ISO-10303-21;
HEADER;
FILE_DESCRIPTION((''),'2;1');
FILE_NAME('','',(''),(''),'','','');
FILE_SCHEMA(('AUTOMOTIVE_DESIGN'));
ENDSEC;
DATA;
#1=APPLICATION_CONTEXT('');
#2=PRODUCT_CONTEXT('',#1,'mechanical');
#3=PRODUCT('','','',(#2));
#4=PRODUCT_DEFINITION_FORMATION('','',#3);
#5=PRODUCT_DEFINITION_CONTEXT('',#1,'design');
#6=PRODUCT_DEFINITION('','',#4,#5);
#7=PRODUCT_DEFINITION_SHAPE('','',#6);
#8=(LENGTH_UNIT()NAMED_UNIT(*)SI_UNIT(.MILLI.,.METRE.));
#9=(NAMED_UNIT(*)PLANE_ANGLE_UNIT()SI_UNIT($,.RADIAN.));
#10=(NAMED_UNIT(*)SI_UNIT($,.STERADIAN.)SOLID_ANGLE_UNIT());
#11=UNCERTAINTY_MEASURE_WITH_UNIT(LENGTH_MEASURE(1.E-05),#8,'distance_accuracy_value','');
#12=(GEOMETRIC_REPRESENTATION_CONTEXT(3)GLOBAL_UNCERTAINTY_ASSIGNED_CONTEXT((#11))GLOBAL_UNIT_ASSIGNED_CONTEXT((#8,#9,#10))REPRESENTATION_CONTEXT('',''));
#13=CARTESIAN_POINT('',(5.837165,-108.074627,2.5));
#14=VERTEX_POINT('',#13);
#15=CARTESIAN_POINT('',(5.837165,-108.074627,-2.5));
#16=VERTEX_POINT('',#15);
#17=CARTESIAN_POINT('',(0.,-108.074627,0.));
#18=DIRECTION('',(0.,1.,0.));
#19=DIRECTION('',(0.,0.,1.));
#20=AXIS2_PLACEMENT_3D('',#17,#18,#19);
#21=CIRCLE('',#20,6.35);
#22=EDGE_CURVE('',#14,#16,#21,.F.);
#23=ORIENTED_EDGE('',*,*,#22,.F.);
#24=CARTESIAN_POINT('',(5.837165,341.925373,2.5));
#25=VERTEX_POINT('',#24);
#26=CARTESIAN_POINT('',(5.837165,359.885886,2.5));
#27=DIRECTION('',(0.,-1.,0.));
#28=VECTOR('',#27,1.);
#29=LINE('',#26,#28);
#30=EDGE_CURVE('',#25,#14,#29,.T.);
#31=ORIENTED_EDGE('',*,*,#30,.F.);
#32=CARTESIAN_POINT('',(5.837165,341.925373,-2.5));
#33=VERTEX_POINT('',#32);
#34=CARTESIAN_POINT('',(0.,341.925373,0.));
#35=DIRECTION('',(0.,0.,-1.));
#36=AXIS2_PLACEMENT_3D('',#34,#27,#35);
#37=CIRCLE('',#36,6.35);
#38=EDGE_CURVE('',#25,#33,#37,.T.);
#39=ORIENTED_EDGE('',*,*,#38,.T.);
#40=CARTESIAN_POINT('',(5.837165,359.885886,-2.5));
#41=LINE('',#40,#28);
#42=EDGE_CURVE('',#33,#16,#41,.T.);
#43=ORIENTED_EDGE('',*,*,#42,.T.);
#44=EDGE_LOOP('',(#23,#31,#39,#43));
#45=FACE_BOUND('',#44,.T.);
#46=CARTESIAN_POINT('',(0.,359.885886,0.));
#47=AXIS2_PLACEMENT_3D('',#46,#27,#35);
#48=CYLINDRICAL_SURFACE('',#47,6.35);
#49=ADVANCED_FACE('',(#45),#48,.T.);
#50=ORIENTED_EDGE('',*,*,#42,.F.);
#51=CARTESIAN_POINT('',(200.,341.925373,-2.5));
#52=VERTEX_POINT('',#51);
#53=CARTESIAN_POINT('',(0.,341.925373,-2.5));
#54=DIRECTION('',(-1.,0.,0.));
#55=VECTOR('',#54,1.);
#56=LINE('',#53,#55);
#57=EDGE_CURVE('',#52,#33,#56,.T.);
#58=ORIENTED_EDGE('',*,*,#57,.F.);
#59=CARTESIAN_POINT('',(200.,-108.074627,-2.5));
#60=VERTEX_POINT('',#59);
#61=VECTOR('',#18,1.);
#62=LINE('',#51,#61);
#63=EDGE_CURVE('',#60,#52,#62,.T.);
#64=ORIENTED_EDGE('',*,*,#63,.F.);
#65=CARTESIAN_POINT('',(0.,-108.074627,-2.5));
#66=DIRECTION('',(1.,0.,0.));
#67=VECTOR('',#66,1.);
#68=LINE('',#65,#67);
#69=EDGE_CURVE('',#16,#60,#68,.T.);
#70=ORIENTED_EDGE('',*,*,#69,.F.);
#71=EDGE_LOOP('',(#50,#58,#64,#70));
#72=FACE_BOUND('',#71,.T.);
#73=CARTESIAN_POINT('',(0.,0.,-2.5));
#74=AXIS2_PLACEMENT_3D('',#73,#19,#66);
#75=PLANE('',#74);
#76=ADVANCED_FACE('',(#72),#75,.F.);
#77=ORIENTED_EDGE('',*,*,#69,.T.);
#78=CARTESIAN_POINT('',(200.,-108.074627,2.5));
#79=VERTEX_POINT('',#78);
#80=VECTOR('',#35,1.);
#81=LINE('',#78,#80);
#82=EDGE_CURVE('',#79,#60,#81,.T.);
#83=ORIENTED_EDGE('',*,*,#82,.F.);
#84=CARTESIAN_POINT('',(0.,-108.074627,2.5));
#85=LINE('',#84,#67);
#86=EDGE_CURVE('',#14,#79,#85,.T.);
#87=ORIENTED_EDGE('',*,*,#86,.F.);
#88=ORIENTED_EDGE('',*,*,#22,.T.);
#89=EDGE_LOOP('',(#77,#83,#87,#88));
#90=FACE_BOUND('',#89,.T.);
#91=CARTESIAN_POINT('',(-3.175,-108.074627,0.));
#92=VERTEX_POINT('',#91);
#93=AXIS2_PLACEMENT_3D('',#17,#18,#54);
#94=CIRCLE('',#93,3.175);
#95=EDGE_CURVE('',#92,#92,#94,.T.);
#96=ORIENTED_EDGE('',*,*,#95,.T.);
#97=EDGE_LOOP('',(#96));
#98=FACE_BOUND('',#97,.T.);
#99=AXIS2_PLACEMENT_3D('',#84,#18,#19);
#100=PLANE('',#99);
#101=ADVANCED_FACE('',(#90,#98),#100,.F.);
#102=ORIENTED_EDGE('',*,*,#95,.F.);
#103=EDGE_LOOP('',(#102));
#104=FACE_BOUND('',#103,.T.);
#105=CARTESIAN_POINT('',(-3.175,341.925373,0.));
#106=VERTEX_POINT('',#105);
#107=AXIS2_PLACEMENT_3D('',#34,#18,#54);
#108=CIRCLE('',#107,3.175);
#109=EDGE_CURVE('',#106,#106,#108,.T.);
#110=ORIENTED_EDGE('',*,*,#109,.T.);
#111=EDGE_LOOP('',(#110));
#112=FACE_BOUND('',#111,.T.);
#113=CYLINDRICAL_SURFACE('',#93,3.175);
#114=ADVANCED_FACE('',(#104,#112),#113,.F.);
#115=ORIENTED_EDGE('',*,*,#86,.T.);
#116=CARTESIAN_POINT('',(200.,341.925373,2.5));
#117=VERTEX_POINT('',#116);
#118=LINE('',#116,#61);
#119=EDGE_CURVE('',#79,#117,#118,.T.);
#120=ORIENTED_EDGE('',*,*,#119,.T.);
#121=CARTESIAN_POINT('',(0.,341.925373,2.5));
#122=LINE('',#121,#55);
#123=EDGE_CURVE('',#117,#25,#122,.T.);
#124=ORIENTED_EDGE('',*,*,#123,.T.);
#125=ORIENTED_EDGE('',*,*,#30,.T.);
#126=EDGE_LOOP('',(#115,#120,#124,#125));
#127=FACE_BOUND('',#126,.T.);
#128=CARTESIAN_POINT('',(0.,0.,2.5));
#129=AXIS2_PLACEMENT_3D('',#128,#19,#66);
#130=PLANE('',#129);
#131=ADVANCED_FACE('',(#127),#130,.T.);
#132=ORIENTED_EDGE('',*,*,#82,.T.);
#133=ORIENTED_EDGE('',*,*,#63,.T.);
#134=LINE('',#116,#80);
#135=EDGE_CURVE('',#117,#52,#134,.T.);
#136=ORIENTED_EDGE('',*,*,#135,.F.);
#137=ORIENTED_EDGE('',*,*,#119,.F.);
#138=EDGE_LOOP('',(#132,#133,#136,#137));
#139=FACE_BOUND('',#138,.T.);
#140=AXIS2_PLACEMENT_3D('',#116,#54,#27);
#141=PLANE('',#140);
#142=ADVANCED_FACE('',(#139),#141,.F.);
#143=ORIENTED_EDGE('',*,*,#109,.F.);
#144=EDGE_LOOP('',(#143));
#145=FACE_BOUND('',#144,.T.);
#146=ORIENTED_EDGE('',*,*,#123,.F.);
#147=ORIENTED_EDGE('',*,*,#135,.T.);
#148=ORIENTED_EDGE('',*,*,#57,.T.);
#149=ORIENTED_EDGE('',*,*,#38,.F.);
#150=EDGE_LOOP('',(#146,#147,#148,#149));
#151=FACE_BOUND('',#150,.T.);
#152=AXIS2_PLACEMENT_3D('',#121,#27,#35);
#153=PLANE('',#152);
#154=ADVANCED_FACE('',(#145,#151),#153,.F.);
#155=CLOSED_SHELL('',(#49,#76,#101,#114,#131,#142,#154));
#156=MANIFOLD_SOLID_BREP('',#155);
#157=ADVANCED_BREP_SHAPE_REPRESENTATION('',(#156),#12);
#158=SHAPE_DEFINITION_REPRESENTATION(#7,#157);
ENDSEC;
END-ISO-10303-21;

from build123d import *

# Parameters (mm, degrees)
SKETCH1_W                       = 200
SKETCH1_H                       = 450
BOSS_EXTRUDE1_DEPTH             = 2.5
BOSS_EXTRUDE2_REACH             = 398.13
SKETCH2_R                       = 6.35
BOSS_EXTRUDE2_DIRECTION_2_REACH = 398.13
SKETCH3_R                       = 3.175
CUT_EXTRUDE1_DEPTH              = 493.483829684


with BuildPart() as part:
    # Sketch1 → Boss-Extrude1 (new, symmetric)
    with BuildSketch(Plane.XY):
        with Locations((100, 116.925373314)):
            Rectangle(SKETCH1_W, SKETCH1_H)
    extrude(amount=BOSS_EXTRUDE1_DEPTH, both=True)

    # Boss-Extrude2: up to this face of the body (flat: up to its plane)
    boss_extrude2_end = Plane(part.part.faces().sort_by_distance((100, 341.925373314, 0))[0])
    # Sketch2 → Boss-Extrude2 (add, up to the picked face)
    with BuildSketch(Plane(origin=(0, 0, 0), x_dir=(1, 0, 0), z_dir=(0, 1, 0)), mode=Mode.PRIVATE) as boss_extrude2_sk1:
        Circle(SKETCH2_R)
    boss_extrude2_tool1 = split(extrude(boss_extrude2_sk1.sketch, amount=BOSS_EXTRUDE2_REACH, mode=Mode.PRIVATE), bisect_by=boss_extrude2_end, keep=Keep.BOTH, mode=Mode.PRIVATE)
    add(boss_extrude2_tool1.solids().sort_by(Axis((0, 0, 0), (0, 1, 0)))[0])

    # Boss-Extrude2 direction 2: up to this face of the body (flat: up to its plane)
    boss_extrude2_direction_2_end = Plane(part.part.faces().sort_by_distance((100, -108.074626686, 0))[0])
    # Sketch2 → Boss-Extrude2 direction 2 (add, up to the picked face)
    with BuildSketch(Plane(origin=(0, 0, 0), x_dir=(1, 0, 0), z_dir=(0, 1, 0)), mode=Mode.PRIVATE) as boss_extrude2_direction_2_sk1:
        Circle(SKETCH2_R)
    boss_extrude2_direction_2_tool1 = split(extrude(boss_extrude2_direction_2_sk1.sketch, amount=-BOSS_EXTRUDE2_DIRECTION_2_REACH, mode=Mode.PRIVATE), bisect_by=boss_extrude2_direction_2_end, keep=Keep.BOTH, mode=Mode.PRIVATE)
    add(boss_extrude2_direction_2_tool1.solids().sort_by(Axis((0, 0, 0), (0, -1, 0)))[0])

    # Sketch3 → Cut-Extrude1 (cut, through all)
    with BuildSketch(Plane(origin=(0, 341.925373314, 0), x_dir=(1, 0, 0), z_dir=(0, 1, 0))):
        with Locations(Location((0, 0, 0), (0, 0, 180))):
            Circle(SKETCH3_R)
    extrude(amount=-CUT_EXTRUDE1_DEPTH, mode=Mode.SUBTRACT)


solid = part.part
